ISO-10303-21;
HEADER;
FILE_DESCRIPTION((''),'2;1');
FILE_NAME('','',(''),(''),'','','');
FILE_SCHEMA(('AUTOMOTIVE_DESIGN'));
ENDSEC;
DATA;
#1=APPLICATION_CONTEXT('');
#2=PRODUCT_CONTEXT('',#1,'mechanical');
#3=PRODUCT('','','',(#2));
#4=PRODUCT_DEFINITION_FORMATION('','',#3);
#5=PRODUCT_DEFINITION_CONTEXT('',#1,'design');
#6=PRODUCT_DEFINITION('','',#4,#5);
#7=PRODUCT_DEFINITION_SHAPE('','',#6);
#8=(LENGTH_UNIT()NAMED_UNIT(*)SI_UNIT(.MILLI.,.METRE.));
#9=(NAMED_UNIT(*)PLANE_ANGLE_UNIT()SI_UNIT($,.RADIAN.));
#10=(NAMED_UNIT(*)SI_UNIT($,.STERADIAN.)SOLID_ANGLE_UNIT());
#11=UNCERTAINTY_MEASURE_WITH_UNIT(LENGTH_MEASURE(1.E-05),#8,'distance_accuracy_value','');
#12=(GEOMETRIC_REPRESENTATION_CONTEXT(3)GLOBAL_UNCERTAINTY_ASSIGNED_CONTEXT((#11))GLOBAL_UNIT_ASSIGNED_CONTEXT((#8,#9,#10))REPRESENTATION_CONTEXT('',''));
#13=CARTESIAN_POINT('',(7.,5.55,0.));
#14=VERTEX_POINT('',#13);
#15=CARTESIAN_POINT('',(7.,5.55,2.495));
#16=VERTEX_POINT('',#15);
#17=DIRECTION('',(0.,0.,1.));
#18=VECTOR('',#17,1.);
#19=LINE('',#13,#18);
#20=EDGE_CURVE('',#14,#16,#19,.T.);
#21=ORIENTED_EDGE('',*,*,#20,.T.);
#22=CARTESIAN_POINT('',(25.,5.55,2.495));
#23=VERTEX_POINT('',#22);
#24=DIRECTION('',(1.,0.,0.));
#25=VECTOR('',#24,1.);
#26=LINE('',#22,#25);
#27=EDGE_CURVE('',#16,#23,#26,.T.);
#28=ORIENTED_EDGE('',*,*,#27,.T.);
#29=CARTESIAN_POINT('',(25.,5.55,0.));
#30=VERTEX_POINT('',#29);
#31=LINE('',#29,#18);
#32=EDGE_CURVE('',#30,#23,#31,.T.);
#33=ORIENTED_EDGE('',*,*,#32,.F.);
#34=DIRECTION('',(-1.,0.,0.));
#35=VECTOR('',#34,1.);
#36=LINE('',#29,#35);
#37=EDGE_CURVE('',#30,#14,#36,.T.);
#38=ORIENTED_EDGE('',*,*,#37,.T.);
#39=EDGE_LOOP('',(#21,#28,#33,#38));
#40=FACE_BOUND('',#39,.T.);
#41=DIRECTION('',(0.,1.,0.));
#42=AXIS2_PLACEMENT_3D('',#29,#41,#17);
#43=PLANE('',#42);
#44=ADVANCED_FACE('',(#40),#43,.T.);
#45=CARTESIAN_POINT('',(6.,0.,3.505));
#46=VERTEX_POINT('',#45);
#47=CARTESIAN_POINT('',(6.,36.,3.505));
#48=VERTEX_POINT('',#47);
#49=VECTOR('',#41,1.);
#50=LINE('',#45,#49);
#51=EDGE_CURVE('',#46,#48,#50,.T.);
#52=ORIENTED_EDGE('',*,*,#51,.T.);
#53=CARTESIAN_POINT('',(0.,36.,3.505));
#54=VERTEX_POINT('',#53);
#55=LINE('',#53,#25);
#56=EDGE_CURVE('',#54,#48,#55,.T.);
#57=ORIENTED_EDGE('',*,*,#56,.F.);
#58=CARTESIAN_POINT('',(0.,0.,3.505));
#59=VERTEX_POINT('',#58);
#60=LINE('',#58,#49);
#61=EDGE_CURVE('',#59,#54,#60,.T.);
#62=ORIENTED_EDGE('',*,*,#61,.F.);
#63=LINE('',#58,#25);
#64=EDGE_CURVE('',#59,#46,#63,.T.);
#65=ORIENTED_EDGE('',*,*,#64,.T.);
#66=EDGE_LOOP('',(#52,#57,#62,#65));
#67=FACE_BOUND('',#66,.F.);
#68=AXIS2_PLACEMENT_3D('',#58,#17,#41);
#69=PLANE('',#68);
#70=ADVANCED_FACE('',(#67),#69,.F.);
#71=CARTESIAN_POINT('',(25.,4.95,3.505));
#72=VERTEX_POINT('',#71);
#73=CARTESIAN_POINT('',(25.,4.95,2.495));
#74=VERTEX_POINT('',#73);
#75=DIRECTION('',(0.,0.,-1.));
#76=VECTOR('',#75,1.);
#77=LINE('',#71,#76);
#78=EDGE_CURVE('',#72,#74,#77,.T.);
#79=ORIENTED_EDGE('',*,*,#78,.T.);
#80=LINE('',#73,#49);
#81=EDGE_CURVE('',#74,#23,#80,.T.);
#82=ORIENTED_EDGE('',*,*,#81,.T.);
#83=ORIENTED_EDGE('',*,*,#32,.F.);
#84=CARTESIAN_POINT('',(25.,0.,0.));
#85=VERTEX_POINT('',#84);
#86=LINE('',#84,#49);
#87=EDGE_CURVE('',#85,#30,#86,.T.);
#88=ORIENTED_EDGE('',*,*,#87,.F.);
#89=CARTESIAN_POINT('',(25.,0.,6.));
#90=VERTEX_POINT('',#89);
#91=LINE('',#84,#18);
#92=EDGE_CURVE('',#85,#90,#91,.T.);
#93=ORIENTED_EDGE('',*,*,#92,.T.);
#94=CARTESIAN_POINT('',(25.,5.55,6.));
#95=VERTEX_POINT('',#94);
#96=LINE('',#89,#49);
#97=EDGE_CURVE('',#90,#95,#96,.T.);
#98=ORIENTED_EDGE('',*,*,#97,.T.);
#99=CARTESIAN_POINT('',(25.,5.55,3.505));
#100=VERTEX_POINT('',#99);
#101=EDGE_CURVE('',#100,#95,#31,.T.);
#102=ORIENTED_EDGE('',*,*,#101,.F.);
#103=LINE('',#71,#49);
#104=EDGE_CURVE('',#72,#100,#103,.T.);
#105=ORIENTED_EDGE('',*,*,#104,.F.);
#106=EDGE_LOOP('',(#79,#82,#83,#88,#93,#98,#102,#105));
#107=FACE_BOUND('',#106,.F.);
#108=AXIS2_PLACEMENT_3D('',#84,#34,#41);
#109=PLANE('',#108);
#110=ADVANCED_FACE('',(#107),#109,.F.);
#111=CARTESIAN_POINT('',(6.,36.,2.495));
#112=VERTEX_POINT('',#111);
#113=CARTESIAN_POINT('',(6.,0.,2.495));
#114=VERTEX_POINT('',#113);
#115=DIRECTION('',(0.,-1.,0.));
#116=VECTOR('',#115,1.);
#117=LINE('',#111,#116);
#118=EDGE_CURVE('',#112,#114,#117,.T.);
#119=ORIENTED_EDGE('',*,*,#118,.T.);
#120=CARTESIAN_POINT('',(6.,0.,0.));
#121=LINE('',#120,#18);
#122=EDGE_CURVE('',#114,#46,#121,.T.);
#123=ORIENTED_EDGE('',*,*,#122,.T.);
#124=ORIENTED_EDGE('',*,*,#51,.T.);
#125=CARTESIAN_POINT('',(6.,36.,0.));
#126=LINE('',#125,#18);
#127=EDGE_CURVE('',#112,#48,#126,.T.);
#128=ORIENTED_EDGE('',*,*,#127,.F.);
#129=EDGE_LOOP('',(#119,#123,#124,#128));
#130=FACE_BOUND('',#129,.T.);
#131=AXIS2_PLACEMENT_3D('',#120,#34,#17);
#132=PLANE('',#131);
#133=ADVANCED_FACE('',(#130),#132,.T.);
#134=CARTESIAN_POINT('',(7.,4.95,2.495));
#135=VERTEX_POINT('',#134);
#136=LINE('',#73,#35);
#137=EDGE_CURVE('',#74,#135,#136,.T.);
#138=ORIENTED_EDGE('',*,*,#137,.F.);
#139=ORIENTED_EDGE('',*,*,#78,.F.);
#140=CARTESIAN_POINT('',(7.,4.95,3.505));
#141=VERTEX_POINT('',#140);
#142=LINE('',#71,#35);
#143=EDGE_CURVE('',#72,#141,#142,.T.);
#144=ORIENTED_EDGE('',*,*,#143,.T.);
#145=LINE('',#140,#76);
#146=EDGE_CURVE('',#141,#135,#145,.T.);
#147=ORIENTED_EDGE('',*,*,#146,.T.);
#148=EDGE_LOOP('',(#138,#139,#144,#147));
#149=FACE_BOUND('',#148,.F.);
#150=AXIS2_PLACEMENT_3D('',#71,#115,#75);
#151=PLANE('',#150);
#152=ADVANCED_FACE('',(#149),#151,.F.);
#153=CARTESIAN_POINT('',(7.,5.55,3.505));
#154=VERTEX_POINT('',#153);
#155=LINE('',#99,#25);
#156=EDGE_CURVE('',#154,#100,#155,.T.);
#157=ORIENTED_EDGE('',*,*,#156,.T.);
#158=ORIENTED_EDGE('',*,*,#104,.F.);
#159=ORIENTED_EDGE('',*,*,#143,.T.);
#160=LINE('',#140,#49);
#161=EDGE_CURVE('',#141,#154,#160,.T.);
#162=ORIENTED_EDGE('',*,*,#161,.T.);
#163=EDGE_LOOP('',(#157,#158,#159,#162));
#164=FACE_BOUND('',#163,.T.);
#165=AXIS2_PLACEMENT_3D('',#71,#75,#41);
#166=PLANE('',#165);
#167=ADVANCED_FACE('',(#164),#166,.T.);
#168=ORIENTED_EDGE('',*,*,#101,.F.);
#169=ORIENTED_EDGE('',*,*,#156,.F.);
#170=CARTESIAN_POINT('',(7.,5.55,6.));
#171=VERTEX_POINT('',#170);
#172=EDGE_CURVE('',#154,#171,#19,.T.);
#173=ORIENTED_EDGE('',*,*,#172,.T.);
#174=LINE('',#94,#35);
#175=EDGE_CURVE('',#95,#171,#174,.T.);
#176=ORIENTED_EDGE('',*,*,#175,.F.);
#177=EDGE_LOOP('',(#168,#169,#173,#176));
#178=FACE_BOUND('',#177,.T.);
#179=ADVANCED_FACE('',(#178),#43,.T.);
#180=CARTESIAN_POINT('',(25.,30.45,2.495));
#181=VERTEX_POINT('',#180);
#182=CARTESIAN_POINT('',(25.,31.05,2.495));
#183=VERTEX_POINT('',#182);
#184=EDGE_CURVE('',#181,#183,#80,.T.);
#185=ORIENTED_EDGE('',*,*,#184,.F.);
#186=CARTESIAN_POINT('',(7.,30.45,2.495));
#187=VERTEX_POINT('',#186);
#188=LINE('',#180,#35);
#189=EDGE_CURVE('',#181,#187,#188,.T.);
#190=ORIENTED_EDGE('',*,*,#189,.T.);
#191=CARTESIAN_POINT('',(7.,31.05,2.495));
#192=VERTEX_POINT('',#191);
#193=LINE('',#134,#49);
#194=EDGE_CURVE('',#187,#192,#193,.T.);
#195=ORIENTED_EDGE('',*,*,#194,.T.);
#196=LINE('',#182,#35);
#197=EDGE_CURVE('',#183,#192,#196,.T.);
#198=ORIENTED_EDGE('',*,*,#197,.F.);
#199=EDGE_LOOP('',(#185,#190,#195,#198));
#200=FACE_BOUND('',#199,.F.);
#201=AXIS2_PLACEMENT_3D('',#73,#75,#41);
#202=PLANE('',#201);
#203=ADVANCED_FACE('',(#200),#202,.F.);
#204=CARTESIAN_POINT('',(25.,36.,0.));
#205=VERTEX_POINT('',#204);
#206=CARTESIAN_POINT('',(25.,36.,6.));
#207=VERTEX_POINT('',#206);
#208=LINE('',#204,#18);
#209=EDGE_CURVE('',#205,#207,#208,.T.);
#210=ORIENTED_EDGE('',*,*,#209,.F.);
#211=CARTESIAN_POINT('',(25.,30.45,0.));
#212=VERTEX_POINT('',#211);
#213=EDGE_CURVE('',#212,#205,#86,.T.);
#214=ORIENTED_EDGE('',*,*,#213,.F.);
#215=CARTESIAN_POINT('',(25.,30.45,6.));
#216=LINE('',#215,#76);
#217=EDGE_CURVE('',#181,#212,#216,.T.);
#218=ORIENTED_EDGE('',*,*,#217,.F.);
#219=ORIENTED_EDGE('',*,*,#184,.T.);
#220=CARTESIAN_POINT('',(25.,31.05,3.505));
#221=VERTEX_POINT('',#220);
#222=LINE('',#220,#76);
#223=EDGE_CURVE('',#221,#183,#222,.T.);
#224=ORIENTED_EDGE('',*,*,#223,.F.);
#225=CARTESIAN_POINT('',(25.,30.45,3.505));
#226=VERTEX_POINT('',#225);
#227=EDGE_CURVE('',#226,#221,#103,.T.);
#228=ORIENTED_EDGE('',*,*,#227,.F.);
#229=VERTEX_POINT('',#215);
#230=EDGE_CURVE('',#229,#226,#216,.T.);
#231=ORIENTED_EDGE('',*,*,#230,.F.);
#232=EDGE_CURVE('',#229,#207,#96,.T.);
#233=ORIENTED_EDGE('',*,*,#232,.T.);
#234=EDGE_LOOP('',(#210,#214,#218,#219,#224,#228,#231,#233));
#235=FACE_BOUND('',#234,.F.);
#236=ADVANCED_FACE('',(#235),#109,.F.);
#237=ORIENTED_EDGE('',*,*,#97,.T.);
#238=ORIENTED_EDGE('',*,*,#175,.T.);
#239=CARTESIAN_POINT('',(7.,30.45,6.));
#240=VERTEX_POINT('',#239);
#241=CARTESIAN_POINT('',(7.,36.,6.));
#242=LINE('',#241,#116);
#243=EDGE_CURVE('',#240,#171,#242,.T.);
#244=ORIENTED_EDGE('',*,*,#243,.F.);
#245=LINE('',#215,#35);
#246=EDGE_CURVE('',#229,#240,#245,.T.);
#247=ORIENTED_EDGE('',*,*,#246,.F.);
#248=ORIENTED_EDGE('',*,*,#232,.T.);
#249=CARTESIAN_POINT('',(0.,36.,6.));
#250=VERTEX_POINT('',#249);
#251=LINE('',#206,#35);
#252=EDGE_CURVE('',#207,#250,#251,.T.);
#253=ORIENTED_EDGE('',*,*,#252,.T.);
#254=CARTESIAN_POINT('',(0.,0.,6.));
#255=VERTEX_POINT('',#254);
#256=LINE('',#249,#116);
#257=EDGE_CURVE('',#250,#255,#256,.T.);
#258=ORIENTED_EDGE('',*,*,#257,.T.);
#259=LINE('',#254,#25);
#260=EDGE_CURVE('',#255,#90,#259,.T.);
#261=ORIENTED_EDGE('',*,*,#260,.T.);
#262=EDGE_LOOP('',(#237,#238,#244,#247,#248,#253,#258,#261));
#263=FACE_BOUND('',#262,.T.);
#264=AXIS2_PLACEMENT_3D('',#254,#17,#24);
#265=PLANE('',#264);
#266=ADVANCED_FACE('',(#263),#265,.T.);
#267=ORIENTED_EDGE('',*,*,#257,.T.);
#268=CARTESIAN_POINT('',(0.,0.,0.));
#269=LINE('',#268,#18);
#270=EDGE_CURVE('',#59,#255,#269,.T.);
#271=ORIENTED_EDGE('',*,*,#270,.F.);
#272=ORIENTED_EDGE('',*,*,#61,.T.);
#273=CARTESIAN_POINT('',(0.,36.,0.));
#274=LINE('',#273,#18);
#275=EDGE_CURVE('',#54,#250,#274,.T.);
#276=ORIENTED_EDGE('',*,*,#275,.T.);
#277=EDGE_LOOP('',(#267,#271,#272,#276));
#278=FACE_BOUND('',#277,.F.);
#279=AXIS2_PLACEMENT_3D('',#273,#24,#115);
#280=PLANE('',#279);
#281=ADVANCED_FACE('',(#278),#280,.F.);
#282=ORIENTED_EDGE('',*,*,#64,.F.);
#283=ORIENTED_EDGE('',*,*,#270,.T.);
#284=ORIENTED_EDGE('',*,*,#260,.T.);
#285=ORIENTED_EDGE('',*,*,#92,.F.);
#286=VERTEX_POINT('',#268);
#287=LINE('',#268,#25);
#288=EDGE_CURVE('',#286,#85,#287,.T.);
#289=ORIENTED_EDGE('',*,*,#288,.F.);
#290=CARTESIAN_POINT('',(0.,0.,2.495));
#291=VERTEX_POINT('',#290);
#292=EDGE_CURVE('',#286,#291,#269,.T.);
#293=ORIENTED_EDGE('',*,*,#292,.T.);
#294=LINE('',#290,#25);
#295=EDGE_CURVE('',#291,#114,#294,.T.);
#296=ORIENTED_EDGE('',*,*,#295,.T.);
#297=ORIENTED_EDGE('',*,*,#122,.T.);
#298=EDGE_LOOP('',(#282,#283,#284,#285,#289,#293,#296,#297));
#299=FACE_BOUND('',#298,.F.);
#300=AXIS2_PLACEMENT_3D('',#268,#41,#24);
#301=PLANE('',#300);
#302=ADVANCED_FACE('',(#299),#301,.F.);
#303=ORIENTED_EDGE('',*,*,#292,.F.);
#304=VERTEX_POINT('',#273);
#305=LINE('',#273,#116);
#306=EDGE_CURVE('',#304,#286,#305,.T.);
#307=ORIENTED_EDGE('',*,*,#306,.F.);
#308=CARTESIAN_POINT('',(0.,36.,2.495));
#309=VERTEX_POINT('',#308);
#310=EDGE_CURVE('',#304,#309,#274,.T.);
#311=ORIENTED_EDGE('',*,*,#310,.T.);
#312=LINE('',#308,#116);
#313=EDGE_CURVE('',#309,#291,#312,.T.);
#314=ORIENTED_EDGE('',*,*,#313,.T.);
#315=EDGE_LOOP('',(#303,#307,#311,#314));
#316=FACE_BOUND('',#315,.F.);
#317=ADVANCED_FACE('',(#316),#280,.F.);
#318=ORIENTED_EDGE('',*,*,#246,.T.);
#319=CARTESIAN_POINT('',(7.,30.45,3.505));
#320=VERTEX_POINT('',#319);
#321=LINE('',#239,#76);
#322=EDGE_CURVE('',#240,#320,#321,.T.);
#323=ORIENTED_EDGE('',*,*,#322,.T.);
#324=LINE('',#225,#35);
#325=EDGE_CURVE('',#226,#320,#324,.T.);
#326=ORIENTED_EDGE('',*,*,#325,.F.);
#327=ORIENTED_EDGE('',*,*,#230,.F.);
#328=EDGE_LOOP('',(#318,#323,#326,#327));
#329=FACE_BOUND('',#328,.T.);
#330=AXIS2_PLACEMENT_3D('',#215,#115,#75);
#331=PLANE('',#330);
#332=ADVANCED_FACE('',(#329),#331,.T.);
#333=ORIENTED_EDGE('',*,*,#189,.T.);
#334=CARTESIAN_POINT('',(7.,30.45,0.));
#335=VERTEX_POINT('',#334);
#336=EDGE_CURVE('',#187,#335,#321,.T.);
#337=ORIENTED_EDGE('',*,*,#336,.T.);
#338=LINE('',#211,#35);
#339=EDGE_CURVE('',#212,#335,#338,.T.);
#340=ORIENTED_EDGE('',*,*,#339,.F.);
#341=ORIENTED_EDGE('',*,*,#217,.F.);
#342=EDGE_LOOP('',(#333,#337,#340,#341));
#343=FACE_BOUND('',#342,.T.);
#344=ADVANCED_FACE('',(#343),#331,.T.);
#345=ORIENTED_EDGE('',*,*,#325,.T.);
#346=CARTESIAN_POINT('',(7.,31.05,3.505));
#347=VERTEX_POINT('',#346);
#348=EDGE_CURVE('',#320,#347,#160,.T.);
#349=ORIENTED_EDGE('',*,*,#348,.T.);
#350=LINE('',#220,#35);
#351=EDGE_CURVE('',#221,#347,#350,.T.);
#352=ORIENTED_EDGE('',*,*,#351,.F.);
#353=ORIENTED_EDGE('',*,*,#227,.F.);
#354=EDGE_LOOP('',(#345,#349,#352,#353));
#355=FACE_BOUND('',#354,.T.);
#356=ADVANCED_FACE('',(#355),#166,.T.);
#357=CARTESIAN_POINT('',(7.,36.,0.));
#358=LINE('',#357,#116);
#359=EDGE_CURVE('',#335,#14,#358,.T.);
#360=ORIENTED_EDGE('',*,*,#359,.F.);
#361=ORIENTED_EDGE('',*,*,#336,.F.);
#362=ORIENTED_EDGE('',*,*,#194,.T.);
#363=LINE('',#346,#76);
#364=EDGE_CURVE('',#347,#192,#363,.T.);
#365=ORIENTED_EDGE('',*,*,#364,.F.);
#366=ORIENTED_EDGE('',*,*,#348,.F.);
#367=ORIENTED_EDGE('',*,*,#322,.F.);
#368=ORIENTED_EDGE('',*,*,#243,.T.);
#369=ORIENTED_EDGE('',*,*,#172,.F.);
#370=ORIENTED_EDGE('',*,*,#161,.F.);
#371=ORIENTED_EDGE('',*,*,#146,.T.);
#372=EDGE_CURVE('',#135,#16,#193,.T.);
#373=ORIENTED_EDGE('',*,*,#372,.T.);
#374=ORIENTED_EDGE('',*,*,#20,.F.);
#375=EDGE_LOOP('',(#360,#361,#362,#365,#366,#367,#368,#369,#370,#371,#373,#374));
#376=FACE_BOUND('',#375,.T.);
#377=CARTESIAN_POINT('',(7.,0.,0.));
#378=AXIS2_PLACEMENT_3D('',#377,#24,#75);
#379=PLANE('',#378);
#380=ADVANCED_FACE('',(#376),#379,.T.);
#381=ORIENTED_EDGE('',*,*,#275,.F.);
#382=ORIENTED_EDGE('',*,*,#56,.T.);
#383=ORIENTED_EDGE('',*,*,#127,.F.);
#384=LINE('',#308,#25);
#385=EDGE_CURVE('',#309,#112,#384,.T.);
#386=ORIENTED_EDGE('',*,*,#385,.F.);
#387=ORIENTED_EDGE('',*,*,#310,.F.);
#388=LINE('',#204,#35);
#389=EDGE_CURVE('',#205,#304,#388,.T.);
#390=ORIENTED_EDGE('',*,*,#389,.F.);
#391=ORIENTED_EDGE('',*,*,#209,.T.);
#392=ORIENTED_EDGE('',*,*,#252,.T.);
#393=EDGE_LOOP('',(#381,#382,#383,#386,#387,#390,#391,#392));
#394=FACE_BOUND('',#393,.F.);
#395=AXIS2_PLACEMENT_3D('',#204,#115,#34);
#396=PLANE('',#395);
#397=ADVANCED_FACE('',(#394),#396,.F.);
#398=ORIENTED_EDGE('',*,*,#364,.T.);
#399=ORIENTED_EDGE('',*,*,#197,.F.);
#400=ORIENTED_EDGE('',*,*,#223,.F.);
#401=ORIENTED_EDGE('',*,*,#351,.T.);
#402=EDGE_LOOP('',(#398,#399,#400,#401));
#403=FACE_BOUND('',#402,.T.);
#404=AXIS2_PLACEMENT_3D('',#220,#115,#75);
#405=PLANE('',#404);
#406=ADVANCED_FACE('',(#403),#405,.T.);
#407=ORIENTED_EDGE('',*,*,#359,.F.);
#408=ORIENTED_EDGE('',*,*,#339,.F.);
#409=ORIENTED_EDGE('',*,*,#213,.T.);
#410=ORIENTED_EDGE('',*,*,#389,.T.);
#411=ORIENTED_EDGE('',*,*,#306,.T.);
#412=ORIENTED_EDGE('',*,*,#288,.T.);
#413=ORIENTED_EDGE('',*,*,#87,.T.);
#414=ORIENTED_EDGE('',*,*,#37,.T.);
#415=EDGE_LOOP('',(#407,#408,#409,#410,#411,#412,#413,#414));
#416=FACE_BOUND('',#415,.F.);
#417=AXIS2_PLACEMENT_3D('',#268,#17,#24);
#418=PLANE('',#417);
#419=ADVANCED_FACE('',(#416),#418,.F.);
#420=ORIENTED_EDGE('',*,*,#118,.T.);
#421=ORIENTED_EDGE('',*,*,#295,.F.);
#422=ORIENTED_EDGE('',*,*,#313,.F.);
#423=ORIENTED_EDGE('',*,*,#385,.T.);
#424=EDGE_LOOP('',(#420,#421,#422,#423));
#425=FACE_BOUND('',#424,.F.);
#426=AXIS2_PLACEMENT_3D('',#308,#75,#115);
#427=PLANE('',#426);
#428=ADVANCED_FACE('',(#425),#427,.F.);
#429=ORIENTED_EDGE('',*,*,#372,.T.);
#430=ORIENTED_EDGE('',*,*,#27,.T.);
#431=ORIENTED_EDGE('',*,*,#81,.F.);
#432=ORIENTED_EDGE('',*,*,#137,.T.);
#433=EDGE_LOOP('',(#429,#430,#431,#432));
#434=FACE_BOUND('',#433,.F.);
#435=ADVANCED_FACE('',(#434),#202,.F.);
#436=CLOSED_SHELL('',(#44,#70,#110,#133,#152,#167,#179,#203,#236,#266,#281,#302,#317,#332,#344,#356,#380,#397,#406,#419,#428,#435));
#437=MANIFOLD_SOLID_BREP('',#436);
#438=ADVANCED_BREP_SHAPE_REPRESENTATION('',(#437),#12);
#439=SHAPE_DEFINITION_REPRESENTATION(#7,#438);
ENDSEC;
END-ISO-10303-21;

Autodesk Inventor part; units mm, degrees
sketch "Sketch1" plane through (0, 0, 0) normal (0, 0, 1) x (1, 0, 0)
  line L0 (0, 0) -> (25, 0)
  line L1 (25, 0) -> (25, 36)
  line L2 (25, 36) -> (0, 36)
  line L3 (0, 36) -> (0, 0)
  dimension "d0" = 25
  dimension "d1" = 36
extrude "Extrusion1" add sketch "Sketch1" along normal blind 6
sketch "Sketch2" plane through (0, 0, 0) normal (-1, 0, 0) x (0, 0, 1)
  line L0 (0, 0) -> (6, 0) projected
  line L1 (0, 36) -> (6, 36) projected
  line L2 (2.495, 0) -> (3.505, 0)
  line L3 (3.505, 0) -> (3.505, 36)
  line L4 (3.505, 36) -> (2.495, 36)
  line L5 (2.495, 36) -> (2.495, 0)
  point P0 (3, 0)
  point P1 (3, 0)
  dimension "d4" = 0
  dimension "d5" = 1.01
extrude "Extrusion2" cut sketch "Sketch2" against normal blind 6
sketch "Sketch3" plane through (25, 0, 0) normal (1, 0, 0) x (0, 0, -1)
  line L0 (0, 36) -> (-6, 36) projected
  line L1 (-3.505, 4.95) -> (-2.495, 4.95)
  line L2 (-2.495, 4.95) -> (-2.495, 31.05)
  line L3 (0, 0) -> (-6, 0) projected
  line L4 (0, 0) -> (0, 36) projected
  line L5 (-3.505, 4.95) -> (-3.505, 31.05)
  line L6 (-3.505, 31.05) -> (-2.495, 31.05)
  point P0 (-3.505, 0)
  point P1 (-2.495, 0)
  point P2 (-3, 4.95)
  point P3 (-3, 0)
  point P4 (0, 18)
  point P5 (-2.495, 18)
  dimension "d11" = 26.1
  dimension "d13" = 0
  dimension "d14" = 0
  dimension "d15" = 1.01
extrude "Extrusion3" cut sketch "Sketch3" against normal blind 18
sketch "Sketch4" plane through (25, 0, 0) normal (1, 0, 0) x (0, 0, -1)
  line L0 (0, 36) -> (0, 0) projected
  line L1 (-6, 36) -> (-6, 0) projected
  line L2 (0, 5.55) -> (-6, 5.55)
  line L3 (-6, 5.55) -> (-6, 30.45)
  line L4 (-6, 30.45) -> (0, 30.45)
  line L5 (0, 30.45) -> (0, 5.55)
  line L6 (-2.495, 4.95) -> (-3.505, 4.95) projected
  point P0 (0, 18)
  point P1 (0, 18)
  dimension "d16" = 0
  dimension "d19" = 0.6
extrude "Extrusion4" cut sketch "Sketch4" against normal blind 18
properties part number "camera_support_on_carbon_blade"
